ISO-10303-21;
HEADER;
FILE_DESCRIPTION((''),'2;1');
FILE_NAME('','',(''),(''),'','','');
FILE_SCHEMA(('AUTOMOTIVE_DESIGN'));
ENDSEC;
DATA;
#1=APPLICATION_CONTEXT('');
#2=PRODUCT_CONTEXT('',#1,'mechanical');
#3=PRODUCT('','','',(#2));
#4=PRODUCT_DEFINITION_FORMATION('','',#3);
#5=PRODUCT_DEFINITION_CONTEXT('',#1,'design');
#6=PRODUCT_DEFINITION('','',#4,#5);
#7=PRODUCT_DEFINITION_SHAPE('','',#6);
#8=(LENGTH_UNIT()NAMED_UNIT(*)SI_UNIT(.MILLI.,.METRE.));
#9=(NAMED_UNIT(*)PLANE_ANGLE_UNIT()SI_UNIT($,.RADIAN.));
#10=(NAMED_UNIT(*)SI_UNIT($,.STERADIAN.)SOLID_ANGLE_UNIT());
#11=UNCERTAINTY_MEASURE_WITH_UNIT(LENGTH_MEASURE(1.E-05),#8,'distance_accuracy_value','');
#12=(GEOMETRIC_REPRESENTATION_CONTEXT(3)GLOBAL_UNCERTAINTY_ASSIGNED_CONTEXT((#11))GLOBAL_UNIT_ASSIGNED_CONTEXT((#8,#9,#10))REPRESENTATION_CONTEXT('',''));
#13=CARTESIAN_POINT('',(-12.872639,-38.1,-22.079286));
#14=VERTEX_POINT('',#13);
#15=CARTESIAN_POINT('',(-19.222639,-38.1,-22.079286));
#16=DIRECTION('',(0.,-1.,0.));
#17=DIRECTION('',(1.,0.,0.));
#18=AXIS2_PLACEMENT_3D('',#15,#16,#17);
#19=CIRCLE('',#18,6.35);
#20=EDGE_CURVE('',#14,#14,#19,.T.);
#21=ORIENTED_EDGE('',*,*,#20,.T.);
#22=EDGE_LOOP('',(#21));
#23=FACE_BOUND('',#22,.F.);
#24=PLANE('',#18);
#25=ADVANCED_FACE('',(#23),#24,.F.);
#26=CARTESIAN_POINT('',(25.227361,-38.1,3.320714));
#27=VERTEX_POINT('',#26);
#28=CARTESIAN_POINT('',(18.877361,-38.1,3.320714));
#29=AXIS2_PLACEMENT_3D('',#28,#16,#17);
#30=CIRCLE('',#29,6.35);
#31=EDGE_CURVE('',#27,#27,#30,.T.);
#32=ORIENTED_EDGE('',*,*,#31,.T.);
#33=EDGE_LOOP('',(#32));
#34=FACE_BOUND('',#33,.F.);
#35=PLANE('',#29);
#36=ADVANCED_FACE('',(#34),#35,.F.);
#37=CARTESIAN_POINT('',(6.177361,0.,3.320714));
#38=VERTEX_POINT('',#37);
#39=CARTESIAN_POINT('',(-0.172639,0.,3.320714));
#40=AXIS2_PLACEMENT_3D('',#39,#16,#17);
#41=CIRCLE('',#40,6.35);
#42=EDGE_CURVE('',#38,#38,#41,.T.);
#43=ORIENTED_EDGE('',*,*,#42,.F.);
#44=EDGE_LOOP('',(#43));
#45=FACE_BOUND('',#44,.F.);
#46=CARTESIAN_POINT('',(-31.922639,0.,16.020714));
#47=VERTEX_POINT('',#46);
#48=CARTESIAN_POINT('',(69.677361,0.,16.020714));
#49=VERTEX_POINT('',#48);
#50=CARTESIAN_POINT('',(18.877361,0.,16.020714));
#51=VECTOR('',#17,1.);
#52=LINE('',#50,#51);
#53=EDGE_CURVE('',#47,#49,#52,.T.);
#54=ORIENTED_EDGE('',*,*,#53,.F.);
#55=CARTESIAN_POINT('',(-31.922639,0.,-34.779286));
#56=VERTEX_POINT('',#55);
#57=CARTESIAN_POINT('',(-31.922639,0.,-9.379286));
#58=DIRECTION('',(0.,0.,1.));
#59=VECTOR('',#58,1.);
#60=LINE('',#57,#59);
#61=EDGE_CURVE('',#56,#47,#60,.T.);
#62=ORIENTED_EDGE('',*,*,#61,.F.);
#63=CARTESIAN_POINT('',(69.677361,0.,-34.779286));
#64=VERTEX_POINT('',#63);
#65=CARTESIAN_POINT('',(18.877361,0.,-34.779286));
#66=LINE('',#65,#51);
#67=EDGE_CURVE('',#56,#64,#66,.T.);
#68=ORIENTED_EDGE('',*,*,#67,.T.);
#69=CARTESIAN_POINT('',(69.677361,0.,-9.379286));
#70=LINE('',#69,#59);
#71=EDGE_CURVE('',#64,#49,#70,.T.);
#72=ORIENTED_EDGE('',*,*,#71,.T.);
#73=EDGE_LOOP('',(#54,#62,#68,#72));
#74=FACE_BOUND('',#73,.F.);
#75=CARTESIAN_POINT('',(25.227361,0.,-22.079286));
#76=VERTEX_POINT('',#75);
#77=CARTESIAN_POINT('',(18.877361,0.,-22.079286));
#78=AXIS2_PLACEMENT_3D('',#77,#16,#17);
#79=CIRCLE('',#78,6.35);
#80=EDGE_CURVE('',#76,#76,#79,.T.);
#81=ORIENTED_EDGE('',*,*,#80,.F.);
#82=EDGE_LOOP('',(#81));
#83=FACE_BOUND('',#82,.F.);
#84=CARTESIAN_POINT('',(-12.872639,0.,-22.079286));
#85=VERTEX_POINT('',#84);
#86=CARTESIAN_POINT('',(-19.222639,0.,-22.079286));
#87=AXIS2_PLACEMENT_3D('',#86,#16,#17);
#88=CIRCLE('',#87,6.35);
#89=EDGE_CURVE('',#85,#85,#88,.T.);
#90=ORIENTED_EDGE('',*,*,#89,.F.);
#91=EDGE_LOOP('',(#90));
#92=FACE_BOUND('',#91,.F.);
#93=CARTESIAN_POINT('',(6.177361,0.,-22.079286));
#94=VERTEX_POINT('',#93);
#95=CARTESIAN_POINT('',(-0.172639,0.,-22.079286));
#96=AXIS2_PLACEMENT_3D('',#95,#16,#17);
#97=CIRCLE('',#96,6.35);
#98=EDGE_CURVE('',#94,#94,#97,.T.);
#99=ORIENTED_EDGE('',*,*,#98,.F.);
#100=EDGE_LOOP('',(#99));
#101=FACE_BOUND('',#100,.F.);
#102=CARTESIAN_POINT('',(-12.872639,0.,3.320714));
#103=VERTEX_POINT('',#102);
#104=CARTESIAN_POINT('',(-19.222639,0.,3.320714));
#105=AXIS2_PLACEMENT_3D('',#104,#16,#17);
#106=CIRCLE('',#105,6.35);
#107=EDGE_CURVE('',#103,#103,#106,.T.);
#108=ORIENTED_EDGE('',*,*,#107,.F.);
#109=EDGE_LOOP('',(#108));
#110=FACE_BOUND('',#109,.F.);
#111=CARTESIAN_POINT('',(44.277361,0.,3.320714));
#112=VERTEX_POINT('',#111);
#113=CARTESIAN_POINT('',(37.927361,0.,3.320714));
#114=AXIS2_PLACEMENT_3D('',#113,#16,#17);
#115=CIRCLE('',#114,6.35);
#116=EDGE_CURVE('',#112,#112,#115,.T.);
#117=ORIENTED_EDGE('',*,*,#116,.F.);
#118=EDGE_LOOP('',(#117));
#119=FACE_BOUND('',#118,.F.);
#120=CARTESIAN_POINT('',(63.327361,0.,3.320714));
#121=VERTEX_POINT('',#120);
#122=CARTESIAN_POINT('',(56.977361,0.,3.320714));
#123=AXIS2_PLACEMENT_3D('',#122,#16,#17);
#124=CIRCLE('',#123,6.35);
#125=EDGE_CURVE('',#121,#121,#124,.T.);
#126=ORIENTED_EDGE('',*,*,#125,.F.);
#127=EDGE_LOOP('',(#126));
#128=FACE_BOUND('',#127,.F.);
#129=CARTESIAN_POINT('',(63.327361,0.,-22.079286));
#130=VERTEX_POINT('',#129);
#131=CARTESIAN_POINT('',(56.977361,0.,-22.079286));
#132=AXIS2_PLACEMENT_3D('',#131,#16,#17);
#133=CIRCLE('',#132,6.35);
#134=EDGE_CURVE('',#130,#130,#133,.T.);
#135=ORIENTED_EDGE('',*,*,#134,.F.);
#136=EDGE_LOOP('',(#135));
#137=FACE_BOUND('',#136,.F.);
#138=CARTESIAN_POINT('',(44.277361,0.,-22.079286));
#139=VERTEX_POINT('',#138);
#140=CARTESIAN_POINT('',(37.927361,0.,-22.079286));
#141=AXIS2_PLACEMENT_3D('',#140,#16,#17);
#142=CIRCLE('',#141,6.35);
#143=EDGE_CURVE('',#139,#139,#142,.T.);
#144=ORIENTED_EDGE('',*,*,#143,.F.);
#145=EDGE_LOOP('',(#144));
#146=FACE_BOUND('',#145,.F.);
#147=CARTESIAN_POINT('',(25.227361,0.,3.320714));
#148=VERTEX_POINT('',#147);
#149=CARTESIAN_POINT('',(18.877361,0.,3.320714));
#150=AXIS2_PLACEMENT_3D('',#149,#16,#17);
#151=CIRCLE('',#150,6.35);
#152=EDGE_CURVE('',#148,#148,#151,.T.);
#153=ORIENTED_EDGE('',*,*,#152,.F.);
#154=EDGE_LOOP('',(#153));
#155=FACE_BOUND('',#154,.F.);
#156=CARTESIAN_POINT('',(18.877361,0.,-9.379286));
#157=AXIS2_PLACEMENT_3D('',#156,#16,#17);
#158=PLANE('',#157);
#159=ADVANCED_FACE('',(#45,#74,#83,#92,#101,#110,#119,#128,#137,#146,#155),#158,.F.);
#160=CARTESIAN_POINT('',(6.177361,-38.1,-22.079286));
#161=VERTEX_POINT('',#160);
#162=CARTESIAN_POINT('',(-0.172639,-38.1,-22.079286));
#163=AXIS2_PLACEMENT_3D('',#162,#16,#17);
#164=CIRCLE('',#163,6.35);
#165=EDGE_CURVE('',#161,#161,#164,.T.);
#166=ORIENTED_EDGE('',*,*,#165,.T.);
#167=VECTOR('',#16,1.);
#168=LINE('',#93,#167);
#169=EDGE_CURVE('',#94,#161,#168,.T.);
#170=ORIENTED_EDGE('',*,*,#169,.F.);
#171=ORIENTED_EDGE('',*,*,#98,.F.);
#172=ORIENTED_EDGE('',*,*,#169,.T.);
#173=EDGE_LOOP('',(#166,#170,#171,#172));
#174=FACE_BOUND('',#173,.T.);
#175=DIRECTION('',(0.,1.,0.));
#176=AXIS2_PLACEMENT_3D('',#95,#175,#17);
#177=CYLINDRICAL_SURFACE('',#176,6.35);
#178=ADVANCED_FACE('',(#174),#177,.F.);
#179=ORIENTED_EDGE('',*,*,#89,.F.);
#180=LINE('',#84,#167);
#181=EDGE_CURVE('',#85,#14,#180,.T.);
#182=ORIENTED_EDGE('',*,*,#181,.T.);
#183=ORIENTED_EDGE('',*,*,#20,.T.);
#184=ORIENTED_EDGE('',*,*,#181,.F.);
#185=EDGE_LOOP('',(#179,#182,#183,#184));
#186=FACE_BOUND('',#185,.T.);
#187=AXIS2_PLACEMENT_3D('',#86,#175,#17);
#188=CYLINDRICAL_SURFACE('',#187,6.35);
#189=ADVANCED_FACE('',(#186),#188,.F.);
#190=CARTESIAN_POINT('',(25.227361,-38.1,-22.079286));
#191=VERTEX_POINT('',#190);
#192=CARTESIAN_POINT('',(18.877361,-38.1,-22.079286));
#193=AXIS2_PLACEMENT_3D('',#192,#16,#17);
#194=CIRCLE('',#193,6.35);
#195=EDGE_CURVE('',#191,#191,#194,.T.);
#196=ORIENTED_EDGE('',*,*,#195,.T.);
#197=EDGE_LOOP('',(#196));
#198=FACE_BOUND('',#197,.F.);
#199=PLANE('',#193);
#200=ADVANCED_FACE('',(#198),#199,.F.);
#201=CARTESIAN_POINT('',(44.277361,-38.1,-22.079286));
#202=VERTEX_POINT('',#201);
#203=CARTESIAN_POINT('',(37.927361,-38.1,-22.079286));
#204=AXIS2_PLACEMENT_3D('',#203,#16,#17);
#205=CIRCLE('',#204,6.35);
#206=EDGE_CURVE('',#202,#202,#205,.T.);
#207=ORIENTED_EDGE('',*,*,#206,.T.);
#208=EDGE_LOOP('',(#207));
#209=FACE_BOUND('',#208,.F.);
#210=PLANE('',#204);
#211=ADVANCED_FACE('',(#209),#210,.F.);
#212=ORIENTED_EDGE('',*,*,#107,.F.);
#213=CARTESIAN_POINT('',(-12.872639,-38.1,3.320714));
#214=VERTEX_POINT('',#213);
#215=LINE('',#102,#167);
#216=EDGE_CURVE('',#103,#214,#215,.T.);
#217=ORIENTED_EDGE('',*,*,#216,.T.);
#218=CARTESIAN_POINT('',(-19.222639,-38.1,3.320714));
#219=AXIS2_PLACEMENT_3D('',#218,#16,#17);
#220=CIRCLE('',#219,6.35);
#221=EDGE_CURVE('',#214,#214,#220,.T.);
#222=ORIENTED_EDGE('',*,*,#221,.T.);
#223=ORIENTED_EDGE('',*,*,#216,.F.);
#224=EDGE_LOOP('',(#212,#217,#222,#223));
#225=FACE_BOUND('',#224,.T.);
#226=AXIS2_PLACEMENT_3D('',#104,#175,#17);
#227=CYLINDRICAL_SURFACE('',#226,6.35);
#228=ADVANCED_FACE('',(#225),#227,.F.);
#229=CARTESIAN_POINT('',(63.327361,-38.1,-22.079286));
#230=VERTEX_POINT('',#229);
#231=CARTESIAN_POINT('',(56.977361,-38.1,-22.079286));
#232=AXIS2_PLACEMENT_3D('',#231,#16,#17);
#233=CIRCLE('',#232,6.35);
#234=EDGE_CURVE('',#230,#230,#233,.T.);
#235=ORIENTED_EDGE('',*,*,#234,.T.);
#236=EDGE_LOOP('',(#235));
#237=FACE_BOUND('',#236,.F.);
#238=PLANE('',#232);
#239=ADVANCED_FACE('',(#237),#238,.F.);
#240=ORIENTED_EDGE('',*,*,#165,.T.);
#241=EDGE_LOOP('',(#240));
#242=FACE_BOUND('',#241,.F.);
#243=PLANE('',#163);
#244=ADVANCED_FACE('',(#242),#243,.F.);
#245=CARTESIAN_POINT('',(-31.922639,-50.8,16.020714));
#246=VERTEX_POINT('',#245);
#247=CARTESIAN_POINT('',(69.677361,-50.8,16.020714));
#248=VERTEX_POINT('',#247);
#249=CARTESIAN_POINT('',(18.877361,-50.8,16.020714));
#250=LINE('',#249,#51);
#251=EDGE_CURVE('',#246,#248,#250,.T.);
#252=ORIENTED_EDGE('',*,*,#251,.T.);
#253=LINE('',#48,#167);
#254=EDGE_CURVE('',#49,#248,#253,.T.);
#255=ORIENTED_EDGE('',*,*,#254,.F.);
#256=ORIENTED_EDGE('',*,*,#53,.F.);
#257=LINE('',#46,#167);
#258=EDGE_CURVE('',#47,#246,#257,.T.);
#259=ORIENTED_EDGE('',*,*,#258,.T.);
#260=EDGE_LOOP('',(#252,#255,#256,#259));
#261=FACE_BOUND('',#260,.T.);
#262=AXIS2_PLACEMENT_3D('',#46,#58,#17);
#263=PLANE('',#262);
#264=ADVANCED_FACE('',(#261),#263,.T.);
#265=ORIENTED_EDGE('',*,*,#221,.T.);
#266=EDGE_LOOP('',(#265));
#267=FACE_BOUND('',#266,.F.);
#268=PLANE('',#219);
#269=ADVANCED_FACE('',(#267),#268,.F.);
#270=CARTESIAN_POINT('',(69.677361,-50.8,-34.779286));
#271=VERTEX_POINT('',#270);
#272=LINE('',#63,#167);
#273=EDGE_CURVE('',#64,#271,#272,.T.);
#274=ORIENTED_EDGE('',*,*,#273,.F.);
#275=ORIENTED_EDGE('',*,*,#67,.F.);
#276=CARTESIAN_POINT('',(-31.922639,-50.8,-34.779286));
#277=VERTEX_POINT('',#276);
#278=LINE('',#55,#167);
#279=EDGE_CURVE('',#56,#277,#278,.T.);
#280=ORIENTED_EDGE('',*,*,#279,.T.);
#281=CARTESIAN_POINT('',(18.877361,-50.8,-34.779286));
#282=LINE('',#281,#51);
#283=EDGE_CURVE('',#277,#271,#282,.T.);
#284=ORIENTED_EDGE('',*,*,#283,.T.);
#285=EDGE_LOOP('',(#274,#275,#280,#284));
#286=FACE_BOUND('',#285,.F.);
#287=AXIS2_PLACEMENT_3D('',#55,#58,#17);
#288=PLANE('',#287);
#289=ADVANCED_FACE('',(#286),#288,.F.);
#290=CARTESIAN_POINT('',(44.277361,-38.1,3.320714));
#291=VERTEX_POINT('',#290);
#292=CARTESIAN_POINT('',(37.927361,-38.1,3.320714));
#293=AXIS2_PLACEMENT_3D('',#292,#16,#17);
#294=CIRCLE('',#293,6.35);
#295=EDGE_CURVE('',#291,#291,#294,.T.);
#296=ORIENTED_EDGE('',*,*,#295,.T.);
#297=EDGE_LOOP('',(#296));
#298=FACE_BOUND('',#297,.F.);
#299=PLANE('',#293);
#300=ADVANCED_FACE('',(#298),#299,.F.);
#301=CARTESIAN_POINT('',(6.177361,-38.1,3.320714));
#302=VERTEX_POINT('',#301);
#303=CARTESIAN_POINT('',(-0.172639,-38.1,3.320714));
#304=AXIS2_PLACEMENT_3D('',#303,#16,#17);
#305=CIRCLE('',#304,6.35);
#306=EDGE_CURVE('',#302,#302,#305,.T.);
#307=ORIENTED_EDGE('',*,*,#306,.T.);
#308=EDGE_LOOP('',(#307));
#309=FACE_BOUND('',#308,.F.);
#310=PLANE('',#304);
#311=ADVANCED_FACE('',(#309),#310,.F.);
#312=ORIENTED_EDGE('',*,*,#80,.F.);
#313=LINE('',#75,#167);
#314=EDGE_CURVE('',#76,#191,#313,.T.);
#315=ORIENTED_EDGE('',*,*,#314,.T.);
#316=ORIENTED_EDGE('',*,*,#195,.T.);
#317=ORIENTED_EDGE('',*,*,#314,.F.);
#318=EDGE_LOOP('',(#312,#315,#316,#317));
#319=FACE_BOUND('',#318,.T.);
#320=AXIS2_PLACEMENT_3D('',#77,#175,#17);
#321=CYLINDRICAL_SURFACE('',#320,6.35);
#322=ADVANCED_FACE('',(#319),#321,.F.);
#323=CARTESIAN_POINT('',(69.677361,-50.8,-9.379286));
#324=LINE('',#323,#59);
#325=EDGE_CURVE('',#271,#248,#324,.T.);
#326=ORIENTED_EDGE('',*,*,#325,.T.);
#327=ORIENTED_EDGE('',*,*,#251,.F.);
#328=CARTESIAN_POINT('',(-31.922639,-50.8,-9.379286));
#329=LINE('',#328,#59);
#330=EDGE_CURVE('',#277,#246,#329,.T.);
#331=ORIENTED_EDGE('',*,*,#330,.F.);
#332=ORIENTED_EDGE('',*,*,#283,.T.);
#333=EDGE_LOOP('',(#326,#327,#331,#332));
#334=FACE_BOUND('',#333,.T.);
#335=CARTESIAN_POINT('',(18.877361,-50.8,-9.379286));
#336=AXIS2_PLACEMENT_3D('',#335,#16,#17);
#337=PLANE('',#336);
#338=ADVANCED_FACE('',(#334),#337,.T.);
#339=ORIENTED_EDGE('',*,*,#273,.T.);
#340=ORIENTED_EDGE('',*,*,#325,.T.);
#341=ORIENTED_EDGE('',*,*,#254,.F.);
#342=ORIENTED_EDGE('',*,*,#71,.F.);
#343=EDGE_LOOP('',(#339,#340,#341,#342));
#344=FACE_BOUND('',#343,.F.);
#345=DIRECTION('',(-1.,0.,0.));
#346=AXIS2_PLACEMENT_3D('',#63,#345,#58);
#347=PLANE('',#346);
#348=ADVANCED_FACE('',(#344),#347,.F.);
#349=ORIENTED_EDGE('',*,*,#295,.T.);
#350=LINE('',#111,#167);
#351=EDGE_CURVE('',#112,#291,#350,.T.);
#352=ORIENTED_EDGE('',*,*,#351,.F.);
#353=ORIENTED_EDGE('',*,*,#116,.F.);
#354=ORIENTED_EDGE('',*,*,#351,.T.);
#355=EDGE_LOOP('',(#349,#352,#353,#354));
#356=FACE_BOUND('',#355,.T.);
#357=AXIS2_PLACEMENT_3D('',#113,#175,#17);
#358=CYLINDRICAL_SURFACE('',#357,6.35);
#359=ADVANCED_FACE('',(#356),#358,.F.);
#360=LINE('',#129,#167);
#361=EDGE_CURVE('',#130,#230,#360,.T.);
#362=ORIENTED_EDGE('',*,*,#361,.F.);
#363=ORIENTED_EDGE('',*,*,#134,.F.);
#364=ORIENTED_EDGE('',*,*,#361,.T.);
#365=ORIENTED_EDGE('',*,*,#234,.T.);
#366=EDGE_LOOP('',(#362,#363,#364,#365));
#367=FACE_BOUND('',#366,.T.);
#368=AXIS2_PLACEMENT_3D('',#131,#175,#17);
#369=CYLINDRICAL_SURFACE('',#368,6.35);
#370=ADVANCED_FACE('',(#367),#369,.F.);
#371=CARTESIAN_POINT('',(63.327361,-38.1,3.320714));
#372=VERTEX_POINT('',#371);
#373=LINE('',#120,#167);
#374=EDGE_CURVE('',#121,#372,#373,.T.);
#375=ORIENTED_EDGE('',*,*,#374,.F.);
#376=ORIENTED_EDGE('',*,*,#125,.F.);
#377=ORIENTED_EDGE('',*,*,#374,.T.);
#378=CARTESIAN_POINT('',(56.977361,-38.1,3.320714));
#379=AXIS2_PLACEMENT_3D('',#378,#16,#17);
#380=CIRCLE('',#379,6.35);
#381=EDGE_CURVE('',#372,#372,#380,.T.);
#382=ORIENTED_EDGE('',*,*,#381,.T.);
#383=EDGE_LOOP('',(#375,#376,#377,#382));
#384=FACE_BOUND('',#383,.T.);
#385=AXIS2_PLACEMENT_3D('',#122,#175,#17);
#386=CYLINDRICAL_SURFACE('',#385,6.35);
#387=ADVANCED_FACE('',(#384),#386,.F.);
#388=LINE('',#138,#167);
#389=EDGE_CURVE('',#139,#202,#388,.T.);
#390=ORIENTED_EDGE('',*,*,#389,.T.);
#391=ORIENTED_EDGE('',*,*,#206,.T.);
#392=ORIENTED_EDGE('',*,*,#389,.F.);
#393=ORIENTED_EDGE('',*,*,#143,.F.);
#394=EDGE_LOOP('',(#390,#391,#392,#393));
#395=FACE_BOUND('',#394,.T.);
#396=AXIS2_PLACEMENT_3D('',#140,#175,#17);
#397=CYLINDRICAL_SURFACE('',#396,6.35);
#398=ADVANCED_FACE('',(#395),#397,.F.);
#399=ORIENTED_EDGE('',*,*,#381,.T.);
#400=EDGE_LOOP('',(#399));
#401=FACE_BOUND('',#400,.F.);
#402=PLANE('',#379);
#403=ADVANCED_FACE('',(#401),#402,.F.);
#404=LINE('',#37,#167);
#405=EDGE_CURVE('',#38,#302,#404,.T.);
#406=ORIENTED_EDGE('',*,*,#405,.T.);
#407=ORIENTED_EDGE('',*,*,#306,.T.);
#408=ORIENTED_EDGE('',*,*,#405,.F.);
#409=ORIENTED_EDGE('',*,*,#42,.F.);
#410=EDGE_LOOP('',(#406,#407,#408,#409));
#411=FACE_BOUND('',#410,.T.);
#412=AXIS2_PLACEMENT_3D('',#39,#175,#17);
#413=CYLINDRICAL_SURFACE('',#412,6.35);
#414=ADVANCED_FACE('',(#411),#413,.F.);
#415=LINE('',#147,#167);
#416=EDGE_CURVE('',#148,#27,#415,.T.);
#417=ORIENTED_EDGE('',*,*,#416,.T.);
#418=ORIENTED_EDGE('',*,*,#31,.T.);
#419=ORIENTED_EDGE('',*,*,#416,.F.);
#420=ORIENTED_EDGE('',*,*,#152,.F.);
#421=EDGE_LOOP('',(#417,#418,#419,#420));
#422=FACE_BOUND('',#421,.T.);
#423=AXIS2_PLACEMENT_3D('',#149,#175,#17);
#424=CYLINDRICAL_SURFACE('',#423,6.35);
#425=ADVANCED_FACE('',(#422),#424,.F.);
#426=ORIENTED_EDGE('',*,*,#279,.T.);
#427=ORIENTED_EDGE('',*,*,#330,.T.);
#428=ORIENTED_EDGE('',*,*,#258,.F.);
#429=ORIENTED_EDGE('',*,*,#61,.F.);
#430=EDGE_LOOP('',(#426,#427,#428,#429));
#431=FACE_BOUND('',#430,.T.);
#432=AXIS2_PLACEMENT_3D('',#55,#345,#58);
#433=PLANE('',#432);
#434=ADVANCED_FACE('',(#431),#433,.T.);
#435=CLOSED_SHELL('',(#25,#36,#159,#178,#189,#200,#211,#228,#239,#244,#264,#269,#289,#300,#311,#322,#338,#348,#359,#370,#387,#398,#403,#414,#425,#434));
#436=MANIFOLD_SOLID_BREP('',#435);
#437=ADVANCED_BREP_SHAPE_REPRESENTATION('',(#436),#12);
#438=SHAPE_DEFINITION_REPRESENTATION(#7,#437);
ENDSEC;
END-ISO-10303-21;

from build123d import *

# Parameters (mm, degrees)
F0_W     = 101.6
F0_H     = 50.8
F1_DEPTH = 50.8
F2_R     = 6.35
F3_DEPTH = 38.1


with BuildPart() as f1:
    # F0 (on Front) → F1 (new body)
    with BuildSketch(Plane.XZ):
        with Locations((18.877361, -9.379286)):
            Rectangle(F0_W, F0_H)
    extrude(amount=F1_DEPTH)

    # F2 (on Front) → F3 (cut)
    with BuildSketch(Plane.XZ):
        with Locations((-19.222639, 3.320714)):
            Circle(F2_R)
        with Locations((-19.222639, -22.079286)):
            Circle(F2_R)
        with Locations((-0.172639, 3.320714)):
            Circle(F2_R)
        with Locations((-0.172639, -22.079286)):
            Circle(F2_R)
        with Locations((18.877361, 3.320714)):
            Circle(F2_R)
        with Locations((18.877361, -22.079286)):
            Circle(F2_R)
        with Locations((37.927361, -22.079286)):
            Circle(F2_R)
        with Locations((37.927361, 3.320714)):
            Circle(F2_R)
        with Locations((56.977361, 3.320714)):
            Circle(F2_R)
        with Locations((56.977361, -22.079286)):
            Circle(F2_R)
    extrude(amount=F3_DEPTH, mode=Mode.SUBTRACT)


solid = f1.part
